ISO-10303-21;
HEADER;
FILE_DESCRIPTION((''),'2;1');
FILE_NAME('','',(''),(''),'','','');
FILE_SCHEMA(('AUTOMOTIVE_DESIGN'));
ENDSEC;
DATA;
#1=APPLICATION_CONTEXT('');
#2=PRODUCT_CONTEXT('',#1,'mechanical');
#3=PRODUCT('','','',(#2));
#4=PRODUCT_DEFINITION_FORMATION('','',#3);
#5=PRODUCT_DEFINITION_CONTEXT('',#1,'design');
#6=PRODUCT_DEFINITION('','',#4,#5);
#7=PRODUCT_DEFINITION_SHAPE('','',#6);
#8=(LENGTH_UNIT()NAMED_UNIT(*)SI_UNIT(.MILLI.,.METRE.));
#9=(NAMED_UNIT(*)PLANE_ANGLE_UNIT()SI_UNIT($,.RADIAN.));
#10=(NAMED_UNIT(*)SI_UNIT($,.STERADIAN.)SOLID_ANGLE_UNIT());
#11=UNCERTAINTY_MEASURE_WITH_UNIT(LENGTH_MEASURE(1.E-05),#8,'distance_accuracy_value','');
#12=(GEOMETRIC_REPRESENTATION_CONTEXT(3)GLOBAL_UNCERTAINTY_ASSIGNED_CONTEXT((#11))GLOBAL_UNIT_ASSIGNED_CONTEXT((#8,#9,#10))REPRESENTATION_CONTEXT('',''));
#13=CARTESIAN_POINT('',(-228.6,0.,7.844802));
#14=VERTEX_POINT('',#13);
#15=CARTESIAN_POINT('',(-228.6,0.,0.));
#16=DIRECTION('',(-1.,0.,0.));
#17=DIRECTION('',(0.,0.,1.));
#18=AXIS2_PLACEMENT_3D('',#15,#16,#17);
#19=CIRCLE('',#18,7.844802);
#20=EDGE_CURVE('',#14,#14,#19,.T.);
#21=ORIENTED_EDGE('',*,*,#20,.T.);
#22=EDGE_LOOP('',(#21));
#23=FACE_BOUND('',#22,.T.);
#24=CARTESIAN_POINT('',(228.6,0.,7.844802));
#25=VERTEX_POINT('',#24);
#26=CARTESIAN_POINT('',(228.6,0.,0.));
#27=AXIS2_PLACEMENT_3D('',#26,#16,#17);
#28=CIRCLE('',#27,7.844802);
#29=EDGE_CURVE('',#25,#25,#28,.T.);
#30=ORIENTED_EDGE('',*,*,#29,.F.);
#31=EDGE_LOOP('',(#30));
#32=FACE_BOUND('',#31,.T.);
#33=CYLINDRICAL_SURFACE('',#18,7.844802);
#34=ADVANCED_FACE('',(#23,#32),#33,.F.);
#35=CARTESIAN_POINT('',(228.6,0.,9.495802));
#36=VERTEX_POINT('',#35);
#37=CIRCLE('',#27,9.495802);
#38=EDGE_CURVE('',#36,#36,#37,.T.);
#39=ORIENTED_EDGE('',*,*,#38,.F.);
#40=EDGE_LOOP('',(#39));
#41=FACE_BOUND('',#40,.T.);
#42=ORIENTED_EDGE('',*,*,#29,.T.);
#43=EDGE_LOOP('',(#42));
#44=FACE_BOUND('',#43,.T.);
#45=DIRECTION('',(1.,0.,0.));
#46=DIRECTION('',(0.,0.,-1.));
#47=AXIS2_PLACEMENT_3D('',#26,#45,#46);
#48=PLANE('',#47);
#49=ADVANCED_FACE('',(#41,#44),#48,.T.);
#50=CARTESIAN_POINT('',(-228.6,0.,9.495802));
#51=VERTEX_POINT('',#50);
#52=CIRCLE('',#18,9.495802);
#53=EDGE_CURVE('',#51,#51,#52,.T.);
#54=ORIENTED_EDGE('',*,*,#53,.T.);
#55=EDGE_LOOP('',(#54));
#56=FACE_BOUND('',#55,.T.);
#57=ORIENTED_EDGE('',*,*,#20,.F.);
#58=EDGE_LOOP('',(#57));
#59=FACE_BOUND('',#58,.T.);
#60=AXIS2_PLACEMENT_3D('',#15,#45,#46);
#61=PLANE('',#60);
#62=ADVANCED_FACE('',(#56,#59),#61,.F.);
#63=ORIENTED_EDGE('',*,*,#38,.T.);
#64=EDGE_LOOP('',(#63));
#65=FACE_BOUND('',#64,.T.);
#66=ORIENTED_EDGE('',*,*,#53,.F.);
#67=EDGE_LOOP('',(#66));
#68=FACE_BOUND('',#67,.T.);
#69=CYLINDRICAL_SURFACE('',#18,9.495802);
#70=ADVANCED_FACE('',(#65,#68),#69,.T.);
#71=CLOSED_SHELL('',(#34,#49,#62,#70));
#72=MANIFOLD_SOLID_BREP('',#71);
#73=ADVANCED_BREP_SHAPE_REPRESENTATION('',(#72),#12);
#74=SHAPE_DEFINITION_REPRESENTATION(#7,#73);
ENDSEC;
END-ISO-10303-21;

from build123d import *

# Parameters (mm, degrees)
SKETCH2_ONE_SIDE_W = 457.2
SKETCH2_ONE_SIDE_H = 1.651


with BuildPart() as part:
    # Sketch2 one side → Revolve1 (revolve)
    with BuildSketch(Plane(origin=(0, 0, 0), x_dir=(1, 0, 0), z_dir=(0, 1, 0))):
        with Locations((0, 8.670301776)):
            Rectangle(SKETCH2_ONE_SIDE_W, SKETCH2_ONE_SIDE_H)
    revolve(axis=Axis((-228.6, 0, 0), (1, 0, 0)))


solid = part.part
